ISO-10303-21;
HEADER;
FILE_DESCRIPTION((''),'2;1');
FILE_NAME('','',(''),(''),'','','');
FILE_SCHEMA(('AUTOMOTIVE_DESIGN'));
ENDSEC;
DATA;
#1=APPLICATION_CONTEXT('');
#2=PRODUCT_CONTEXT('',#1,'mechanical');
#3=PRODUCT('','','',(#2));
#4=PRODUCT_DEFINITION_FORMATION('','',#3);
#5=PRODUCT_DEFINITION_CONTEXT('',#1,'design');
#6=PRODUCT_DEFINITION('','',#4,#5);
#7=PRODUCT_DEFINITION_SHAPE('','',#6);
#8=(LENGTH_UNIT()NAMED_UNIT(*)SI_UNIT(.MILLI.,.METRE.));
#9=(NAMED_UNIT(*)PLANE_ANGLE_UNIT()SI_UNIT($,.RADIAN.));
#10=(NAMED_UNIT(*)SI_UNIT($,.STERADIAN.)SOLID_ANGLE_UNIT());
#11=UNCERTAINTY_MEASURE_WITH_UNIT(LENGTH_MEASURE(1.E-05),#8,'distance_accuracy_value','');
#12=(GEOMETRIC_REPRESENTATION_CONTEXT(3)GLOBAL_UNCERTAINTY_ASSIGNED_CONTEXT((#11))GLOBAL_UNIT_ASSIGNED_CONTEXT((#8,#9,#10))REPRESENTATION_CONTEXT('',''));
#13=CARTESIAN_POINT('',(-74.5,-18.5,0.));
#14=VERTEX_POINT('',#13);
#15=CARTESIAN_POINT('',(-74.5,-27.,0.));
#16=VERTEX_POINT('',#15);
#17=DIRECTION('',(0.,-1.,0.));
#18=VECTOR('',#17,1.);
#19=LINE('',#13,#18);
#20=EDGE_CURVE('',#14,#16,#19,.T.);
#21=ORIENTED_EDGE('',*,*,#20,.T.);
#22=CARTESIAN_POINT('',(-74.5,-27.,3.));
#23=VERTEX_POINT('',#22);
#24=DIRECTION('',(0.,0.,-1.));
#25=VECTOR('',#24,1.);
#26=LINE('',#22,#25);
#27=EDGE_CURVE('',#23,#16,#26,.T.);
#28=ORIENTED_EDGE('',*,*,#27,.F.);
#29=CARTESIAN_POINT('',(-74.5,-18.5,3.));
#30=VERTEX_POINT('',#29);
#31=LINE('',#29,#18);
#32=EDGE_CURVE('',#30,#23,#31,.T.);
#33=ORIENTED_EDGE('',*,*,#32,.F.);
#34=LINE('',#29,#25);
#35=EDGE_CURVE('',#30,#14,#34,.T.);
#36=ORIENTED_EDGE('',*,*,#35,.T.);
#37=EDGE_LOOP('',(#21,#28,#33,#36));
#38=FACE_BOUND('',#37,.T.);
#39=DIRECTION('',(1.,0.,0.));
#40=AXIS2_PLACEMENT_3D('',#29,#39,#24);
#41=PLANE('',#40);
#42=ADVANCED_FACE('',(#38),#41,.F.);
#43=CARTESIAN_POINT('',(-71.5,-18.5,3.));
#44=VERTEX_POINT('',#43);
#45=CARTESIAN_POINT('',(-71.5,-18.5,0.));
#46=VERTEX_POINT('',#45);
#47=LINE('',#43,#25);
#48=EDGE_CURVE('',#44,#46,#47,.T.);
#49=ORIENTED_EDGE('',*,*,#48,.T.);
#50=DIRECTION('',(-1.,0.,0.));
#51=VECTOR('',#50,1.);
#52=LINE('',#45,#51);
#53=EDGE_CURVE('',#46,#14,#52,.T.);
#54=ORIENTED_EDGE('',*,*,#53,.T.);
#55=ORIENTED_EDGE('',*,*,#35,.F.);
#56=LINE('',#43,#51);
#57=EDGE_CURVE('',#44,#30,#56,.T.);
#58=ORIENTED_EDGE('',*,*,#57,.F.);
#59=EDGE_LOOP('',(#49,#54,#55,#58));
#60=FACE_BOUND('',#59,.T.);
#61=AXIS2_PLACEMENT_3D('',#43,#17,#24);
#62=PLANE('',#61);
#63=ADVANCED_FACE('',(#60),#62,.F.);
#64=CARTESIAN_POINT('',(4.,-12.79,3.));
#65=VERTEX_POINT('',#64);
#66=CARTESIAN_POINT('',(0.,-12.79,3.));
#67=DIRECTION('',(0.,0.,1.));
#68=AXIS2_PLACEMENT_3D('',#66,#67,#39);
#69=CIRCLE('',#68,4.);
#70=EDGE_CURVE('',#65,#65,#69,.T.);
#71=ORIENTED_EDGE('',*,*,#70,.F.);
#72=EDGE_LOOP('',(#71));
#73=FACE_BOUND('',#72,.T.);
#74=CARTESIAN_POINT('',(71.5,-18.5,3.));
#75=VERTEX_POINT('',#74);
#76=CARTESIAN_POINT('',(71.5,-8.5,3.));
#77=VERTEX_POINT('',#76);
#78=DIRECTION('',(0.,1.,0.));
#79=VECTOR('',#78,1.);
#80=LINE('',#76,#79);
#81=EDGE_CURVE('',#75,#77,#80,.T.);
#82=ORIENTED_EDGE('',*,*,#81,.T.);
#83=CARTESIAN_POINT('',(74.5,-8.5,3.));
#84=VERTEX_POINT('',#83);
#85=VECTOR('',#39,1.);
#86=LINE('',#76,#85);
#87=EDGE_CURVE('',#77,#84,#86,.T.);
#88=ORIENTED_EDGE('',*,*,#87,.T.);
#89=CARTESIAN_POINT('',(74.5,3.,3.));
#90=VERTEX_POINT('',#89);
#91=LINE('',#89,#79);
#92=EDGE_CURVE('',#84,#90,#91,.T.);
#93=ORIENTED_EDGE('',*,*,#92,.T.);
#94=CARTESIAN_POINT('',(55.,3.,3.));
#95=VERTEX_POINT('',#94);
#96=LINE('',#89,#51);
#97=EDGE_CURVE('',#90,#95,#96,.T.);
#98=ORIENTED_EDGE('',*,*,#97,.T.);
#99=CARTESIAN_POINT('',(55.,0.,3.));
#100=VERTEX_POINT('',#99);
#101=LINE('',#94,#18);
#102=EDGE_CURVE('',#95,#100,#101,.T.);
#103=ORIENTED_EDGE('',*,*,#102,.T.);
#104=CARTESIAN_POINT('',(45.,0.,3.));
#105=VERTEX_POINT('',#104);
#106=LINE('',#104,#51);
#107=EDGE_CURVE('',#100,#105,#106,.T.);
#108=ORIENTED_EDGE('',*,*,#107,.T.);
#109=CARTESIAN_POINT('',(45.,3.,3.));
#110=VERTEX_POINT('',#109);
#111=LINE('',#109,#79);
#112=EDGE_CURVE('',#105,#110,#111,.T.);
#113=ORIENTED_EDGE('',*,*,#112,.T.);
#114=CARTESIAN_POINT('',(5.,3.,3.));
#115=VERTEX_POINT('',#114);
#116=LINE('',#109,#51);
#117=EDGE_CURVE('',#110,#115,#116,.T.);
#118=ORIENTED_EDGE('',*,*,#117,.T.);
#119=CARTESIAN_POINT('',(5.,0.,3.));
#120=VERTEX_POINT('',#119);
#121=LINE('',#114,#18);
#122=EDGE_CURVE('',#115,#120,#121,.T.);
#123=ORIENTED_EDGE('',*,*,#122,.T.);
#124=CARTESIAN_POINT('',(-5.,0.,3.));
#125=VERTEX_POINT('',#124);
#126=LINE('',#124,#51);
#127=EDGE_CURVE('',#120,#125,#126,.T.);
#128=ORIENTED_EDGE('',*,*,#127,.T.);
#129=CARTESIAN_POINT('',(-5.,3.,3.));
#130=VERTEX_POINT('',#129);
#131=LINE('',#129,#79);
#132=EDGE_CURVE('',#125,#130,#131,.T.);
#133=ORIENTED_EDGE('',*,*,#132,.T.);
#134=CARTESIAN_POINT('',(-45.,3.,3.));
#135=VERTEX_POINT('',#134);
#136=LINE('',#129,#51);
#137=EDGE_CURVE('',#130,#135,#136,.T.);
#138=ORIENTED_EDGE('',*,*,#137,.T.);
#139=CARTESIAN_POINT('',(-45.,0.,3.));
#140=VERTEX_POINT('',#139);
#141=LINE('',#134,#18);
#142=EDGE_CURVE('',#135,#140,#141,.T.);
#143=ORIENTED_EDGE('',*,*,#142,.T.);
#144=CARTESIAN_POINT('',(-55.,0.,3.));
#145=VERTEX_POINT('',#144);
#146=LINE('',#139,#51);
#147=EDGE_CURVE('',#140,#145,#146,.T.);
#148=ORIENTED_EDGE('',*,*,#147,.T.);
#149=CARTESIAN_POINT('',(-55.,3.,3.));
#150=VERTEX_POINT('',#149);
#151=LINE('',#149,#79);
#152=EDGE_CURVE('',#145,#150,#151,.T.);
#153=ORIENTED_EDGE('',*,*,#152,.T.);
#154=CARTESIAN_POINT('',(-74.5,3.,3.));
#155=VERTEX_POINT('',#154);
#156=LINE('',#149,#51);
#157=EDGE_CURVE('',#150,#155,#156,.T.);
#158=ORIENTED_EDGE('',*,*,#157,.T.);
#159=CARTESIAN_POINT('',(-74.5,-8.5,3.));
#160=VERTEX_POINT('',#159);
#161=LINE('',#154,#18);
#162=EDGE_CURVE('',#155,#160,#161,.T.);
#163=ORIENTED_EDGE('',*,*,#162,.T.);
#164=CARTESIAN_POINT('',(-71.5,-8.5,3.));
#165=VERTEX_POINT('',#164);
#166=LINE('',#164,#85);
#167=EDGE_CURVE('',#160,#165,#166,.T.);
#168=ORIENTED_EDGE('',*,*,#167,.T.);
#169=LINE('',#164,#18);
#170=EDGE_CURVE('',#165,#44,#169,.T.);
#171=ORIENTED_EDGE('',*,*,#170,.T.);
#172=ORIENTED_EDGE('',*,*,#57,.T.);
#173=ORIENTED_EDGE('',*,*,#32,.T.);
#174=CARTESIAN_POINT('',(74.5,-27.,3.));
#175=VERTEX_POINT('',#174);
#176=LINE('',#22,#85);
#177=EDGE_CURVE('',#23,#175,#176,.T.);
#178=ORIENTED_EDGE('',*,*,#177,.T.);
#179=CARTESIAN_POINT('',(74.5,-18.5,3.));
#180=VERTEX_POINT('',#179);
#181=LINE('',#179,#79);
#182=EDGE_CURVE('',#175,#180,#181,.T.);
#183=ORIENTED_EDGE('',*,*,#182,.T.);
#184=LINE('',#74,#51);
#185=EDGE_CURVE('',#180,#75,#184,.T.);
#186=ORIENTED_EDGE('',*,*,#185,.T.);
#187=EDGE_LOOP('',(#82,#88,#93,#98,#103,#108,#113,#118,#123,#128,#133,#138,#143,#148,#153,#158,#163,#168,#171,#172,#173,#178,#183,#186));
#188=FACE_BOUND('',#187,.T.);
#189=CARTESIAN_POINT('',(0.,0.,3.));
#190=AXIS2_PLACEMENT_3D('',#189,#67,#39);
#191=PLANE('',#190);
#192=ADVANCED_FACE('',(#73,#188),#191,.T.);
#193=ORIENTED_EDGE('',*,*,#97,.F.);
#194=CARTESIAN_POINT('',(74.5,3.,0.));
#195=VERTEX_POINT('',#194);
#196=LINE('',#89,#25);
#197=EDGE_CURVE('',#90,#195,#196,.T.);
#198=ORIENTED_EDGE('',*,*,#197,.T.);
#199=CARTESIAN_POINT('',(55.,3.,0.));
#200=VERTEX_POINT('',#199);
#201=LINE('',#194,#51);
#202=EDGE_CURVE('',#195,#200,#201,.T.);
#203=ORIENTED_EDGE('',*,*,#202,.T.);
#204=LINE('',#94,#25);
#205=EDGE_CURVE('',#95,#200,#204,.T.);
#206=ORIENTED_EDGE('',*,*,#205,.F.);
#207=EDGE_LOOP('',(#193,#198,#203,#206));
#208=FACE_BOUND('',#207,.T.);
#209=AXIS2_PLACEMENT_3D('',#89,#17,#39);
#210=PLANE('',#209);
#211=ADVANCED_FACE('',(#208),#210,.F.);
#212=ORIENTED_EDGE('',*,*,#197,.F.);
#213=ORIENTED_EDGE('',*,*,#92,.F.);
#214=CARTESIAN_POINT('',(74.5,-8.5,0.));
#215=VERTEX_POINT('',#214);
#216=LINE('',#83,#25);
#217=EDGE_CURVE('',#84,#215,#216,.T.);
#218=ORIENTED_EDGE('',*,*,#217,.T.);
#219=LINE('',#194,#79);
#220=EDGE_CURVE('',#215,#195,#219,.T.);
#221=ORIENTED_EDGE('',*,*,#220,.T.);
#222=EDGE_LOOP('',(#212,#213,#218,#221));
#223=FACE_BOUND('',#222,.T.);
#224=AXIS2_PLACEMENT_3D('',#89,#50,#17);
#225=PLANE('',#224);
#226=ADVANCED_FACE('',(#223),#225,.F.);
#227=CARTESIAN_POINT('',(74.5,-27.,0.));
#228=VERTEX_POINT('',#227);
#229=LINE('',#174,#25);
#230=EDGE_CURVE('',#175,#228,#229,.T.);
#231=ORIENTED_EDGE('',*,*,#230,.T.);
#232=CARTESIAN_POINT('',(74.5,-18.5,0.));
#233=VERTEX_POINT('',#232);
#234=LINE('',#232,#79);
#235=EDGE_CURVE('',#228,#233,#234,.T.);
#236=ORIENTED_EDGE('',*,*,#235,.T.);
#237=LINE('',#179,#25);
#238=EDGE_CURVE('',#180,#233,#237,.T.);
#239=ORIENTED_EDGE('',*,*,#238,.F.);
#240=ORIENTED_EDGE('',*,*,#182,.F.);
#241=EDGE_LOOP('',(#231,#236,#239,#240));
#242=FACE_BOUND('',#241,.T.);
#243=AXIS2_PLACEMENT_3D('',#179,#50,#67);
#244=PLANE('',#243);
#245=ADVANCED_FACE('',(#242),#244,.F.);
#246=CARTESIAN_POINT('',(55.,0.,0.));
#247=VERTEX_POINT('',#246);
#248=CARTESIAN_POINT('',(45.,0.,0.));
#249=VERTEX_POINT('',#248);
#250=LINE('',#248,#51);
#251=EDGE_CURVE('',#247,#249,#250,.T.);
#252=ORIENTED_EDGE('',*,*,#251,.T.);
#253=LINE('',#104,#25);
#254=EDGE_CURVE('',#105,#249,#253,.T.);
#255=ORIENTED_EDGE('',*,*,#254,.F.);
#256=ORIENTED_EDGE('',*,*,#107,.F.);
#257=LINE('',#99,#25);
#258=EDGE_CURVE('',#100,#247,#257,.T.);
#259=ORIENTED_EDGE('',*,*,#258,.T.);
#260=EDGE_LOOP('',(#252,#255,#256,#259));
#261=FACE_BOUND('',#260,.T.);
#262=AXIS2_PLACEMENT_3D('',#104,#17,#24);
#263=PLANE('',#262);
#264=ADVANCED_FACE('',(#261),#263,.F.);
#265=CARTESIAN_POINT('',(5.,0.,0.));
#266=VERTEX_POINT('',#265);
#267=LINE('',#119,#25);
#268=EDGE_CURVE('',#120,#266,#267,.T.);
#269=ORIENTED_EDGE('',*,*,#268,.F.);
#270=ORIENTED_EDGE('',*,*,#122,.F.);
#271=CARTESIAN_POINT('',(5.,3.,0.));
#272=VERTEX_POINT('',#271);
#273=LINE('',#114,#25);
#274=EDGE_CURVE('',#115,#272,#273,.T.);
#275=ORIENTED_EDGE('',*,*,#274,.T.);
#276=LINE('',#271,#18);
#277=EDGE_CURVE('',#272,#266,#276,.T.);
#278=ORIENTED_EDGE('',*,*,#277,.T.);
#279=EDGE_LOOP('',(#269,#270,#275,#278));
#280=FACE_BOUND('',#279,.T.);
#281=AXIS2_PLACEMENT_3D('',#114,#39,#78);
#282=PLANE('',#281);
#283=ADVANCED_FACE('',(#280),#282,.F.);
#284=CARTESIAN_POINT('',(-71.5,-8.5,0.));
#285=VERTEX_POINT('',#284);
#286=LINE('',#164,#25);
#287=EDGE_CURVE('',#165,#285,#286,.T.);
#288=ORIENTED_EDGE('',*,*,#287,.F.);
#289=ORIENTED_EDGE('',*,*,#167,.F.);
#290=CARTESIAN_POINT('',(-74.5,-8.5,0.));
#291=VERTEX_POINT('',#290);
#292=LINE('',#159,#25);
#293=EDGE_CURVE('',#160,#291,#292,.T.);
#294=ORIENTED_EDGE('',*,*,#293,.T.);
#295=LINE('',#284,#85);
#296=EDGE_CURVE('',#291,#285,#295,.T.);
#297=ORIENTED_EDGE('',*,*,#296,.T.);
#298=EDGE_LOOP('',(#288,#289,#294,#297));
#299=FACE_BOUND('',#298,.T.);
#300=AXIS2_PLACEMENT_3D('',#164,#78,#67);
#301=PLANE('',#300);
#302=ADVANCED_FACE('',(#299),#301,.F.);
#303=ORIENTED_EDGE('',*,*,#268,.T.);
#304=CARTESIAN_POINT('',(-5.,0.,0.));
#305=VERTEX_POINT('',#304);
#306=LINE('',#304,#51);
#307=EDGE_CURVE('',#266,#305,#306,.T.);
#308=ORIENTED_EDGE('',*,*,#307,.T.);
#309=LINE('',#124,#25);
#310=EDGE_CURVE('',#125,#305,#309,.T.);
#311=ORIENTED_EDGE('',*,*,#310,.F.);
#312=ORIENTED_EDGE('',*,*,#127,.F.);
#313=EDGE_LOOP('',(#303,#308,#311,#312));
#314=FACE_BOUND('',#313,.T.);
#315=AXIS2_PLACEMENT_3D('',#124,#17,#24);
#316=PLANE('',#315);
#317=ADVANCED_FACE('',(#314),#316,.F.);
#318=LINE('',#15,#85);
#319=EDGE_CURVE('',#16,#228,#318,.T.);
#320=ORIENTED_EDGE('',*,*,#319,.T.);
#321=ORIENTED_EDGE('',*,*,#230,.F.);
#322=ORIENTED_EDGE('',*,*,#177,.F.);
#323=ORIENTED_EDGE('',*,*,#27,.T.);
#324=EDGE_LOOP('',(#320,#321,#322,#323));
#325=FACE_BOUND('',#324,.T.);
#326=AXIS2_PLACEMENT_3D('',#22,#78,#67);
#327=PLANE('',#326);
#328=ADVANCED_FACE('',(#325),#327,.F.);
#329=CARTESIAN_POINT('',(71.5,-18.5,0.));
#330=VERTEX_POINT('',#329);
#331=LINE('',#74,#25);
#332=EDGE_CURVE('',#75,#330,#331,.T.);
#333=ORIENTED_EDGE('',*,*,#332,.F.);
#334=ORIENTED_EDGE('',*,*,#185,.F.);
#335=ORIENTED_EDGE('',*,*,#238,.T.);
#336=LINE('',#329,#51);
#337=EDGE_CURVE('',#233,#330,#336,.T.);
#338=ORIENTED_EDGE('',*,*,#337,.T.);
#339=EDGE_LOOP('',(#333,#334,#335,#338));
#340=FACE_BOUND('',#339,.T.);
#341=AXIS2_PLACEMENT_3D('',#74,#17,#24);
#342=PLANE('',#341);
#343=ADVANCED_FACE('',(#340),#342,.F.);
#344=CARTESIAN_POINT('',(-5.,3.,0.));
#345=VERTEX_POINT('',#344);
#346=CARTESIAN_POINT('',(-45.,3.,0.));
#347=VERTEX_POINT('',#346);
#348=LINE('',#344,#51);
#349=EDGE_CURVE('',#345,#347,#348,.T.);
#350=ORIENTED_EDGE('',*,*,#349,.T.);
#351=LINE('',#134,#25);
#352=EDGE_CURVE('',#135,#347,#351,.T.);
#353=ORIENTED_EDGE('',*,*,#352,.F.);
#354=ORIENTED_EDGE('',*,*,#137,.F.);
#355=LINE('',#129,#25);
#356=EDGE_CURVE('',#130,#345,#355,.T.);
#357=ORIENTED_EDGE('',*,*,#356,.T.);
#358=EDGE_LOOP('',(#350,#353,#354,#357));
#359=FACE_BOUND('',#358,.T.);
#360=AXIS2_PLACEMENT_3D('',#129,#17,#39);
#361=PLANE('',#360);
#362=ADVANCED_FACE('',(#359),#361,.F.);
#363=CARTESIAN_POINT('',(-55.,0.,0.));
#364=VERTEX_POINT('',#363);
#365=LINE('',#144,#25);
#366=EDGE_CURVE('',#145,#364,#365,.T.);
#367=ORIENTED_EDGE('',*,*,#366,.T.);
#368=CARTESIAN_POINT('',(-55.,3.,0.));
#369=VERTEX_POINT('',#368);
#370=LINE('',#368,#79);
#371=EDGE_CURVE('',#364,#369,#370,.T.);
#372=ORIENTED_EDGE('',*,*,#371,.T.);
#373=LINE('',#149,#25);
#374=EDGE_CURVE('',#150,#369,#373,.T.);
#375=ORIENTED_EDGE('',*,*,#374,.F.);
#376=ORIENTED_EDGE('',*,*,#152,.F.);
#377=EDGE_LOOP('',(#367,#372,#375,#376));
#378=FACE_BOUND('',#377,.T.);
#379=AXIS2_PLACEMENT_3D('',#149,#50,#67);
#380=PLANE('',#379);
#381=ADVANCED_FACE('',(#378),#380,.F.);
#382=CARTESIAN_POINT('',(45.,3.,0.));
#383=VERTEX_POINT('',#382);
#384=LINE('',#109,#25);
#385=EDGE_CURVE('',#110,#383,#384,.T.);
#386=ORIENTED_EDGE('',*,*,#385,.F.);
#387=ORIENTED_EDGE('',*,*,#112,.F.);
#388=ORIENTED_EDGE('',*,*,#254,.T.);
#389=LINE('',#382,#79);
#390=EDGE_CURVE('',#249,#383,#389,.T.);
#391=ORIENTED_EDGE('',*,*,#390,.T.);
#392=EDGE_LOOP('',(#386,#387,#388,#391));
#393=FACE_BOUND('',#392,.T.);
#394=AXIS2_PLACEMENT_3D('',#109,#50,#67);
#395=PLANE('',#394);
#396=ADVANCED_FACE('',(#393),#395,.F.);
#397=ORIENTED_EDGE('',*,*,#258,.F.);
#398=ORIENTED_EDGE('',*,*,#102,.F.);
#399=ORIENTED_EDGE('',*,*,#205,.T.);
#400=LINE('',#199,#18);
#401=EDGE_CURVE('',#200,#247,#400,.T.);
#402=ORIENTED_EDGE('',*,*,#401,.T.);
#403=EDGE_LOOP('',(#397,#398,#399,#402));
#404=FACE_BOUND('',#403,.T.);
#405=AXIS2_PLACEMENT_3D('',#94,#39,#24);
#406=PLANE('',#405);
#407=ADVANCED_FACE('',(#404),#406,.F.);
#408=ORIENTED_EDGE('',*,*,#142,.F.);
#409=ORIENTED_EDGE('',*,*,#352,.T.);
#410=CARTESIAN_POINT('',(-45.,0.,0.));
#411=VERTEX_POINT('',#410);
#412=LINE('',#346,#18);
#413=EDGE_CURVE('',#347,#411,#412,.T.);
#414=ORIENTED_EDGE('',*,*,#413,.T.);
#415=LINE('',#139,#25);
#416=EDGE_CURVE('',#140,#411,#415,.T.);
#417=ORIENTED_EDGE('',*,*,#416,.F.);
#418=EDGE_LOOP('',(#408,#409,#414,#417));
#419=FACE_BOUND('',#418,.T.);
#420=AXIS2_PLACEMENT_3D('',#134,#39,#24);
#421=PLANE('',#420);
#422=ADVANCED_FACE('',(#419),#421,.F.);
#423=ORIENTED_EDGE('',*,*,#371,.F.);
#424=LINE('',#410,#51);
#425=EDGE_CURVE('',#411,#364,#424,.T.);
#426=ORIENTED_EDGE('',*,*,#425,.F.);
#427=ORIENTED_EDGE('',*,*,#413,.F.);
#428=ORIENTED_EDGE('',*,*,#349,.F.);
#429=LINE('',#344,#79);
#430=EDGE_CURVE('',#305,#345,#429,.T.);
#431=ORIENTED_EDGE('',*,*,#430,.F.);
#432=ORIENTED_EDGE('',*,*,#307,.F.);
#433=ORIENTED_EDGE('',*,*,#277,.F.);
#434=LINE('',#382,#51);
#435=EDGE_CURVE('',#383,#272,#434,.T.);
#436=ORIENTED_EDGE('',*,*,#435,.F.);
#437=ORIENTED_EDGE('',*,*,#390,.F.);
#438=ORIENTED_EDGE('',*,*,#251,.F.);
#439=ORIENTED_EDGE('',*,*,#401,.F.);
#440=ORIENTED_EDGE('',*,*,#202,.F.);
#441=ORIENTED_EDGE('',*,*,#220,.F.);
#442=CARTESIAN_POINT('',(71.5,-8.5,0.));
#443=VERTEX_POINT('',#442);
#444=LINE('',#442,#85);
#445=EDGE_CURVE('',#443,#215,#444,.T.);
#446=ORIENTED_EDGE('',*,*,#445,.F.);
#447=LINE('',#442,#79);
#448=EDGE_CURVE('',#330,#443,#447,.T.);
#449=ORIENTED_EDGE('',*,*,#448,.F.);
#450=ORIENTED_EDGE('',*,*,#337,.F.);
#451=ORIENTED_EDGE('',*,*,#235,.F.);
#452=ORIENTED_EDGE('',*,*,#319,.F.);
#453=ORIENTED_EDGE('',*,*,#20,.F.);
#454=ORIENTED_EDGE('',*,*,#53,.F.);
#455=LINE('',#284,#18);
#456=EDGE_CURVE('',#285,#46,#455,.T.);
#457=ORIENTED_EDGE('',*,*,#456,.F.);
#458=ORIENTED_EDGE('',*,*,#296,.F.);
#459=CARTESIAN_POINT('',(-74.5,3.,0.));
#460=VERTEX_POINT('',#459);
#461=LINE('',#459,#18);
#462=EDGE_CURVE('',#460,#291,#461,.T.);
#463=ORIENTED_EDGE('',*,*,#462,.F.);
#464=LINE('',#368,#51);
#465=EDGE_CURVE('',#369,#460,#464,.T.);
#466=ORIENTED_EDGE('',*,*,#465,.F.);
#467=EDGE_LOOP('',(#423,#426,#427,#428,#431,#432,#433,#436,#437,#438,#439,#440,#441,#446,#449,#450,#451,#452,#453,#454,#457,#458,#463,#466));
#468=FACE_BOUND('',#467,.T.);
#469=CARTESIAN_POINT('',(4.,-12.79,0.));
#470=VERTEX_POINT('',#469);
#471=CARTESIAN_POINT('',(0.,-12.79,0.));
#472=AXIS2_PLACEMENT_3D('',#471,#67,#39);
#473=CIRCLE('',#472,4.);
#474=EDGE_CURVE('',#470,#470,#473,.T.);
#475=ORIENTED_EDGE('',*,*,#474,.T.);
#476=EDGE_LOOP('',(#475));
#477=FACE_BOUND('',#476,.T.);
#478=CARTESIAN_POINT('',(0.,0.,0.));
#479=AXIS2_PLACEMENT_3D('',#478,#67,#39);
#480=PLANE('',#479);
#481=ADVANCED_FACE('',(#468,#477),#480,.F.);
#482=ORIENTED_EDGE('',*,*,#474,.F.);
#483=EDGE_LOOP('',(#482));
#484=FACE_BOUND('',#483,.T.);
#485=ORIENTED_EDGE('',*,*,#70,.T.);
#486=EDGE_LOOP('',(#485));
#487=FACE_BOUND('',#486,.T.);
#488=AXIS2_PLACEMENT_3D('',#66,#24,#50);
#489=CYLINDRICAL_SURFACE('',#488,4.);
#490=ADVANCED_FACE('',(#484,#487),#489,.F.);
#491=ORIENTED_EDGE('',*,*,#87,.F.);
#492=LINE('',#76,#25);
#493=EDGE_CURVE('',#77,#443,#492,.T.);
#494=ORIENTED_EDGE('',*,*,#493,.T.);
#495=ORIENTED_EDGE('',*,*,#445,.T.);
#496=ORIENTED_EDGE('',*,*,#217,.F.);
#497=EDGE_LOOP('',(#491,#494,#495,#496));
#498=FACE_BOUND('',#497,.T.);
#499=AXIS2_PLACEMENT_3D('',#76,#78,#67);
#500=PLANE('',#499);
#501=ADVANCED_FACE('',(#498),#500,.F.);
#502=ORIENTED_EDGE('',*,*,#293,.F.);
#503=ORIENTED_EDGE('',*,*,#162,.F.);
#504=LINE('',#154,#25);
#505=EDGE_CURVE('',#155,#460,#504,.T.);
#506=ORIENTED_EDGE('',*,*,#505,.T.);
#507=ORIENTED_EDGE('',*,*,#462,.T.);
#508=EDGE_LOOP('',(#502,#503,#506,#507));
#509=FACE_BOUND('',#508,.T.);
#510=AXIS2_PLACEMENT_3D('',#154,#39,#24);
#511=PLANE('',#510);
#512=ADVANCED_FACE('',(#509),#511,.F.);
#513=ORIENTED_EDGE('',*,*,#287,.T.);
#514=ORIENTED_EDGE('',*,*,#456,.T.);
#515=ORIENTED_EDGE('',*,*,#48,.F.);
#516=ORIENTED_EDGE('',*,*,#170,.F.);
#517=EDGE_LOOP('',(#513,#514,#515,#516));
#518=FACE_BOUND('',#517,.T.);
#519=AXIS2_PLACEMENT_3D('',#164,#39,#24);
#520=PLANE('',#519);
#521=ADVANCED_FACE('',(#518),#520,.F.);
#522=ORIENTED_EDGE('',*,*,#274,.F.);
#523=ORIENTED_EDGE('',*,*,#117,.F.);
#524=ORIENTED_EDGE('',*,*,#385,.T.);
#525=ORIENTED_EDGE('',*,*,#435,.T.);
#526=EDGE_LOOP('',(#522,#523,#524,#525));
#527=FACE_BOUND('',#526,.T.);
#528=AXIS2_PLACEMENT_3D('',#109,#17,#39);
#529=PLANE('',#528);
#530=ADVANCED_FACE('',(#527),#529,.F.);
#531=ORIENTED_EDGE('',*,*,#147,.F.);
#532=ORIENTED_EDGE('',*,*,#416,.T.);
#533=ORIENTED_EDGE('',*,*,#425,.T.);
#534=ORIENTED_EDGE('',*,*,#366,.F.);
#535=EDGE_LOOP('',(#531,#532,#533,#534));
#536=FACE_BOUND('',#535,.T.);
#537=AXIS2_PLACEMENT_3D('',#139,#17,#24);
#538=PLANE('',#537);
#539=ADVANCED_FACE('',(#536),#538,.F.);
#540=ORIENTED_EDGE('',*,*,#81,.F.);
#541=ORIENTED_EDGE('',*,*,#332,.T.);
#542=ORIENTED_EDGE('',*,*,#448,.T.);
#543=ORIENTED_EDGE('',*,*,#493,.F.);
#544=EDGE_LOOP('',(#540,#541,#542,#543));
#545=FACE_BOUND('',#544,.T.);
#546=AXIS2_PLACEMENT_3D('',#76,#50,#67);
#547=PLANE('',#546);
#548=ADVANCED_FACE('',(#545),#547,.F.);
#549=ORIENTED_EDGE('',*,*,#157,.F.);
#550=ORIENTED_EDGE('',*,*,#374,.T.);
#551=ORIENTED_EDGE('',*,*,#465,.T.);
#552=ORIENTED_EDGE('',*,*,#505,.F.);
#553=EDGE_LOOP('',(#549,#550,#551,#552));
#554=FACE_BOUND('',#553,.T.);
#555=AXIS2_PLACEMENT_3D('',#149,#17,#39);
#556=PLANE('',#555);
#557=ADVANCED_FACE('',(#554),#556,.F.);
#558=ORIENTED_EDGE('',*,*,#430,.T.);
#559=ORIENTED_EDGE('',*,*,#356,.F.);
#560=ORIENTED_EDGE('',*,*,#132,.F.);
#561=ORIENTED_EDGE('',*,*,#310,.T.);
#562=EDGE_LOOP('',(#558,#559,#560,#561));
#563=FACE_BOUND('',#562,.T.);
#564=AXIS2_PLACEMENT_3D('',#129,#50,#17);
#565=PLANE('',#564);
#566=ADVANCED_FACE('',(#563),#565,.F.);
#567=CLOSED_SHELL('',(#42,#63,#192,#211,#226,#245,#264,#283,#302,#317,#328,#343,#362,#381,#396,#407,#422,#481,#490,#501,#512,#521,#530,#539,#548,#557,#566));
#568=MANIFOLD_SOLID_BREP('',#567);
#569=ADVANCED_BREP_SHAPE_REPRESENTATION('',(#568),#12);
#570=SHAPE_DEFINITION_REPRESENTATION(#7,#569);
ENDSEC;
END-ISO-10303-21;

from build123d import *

# Parameters (mm, degrees)
BOSS_EXTRUDE1_DEPTH = 3
SKETCH2_R           = 4
CUT_EXTRUDE1_DEPTH  = 80.298486745


with BuildPart() as part:
    # Sketch1 → Boss-Extrude1 (new body)
    with BuildSketch(Plane.XY):
        Polygon((-74.5, 3), (-74.5, -8.5), (-71.5, -8.5), (-71.5, -18.5), (-74.5, -18.5), (-74.5, -27), (74.5, -27), (74.5, -18.5), (71.5, -18.5), (71.5, -8.5), (74.5, -8.5), (74.5, 3), (55, 3), (55, 0), (45, 0), (45, 3), (5, 3), (5, 0), (-5, 0), (-5, 3), (-45, 3), (-45, 0), (-55, 0), (-55, 3), align=None)
    extrude(amount=BOSS_EXTRUDE1_DEPTH)

    # Sketch2 → Cut-Extrude1 (cut, through all)
    with BuildSketch(Plane.XY):
        with Locations((0, -12.79)):
            Circle(SKETCH2_R)
    extrude(amount=CUT_EXTRUDE1_DEPTH, mode=Mode.SUBTRACT)


solid = part.part
